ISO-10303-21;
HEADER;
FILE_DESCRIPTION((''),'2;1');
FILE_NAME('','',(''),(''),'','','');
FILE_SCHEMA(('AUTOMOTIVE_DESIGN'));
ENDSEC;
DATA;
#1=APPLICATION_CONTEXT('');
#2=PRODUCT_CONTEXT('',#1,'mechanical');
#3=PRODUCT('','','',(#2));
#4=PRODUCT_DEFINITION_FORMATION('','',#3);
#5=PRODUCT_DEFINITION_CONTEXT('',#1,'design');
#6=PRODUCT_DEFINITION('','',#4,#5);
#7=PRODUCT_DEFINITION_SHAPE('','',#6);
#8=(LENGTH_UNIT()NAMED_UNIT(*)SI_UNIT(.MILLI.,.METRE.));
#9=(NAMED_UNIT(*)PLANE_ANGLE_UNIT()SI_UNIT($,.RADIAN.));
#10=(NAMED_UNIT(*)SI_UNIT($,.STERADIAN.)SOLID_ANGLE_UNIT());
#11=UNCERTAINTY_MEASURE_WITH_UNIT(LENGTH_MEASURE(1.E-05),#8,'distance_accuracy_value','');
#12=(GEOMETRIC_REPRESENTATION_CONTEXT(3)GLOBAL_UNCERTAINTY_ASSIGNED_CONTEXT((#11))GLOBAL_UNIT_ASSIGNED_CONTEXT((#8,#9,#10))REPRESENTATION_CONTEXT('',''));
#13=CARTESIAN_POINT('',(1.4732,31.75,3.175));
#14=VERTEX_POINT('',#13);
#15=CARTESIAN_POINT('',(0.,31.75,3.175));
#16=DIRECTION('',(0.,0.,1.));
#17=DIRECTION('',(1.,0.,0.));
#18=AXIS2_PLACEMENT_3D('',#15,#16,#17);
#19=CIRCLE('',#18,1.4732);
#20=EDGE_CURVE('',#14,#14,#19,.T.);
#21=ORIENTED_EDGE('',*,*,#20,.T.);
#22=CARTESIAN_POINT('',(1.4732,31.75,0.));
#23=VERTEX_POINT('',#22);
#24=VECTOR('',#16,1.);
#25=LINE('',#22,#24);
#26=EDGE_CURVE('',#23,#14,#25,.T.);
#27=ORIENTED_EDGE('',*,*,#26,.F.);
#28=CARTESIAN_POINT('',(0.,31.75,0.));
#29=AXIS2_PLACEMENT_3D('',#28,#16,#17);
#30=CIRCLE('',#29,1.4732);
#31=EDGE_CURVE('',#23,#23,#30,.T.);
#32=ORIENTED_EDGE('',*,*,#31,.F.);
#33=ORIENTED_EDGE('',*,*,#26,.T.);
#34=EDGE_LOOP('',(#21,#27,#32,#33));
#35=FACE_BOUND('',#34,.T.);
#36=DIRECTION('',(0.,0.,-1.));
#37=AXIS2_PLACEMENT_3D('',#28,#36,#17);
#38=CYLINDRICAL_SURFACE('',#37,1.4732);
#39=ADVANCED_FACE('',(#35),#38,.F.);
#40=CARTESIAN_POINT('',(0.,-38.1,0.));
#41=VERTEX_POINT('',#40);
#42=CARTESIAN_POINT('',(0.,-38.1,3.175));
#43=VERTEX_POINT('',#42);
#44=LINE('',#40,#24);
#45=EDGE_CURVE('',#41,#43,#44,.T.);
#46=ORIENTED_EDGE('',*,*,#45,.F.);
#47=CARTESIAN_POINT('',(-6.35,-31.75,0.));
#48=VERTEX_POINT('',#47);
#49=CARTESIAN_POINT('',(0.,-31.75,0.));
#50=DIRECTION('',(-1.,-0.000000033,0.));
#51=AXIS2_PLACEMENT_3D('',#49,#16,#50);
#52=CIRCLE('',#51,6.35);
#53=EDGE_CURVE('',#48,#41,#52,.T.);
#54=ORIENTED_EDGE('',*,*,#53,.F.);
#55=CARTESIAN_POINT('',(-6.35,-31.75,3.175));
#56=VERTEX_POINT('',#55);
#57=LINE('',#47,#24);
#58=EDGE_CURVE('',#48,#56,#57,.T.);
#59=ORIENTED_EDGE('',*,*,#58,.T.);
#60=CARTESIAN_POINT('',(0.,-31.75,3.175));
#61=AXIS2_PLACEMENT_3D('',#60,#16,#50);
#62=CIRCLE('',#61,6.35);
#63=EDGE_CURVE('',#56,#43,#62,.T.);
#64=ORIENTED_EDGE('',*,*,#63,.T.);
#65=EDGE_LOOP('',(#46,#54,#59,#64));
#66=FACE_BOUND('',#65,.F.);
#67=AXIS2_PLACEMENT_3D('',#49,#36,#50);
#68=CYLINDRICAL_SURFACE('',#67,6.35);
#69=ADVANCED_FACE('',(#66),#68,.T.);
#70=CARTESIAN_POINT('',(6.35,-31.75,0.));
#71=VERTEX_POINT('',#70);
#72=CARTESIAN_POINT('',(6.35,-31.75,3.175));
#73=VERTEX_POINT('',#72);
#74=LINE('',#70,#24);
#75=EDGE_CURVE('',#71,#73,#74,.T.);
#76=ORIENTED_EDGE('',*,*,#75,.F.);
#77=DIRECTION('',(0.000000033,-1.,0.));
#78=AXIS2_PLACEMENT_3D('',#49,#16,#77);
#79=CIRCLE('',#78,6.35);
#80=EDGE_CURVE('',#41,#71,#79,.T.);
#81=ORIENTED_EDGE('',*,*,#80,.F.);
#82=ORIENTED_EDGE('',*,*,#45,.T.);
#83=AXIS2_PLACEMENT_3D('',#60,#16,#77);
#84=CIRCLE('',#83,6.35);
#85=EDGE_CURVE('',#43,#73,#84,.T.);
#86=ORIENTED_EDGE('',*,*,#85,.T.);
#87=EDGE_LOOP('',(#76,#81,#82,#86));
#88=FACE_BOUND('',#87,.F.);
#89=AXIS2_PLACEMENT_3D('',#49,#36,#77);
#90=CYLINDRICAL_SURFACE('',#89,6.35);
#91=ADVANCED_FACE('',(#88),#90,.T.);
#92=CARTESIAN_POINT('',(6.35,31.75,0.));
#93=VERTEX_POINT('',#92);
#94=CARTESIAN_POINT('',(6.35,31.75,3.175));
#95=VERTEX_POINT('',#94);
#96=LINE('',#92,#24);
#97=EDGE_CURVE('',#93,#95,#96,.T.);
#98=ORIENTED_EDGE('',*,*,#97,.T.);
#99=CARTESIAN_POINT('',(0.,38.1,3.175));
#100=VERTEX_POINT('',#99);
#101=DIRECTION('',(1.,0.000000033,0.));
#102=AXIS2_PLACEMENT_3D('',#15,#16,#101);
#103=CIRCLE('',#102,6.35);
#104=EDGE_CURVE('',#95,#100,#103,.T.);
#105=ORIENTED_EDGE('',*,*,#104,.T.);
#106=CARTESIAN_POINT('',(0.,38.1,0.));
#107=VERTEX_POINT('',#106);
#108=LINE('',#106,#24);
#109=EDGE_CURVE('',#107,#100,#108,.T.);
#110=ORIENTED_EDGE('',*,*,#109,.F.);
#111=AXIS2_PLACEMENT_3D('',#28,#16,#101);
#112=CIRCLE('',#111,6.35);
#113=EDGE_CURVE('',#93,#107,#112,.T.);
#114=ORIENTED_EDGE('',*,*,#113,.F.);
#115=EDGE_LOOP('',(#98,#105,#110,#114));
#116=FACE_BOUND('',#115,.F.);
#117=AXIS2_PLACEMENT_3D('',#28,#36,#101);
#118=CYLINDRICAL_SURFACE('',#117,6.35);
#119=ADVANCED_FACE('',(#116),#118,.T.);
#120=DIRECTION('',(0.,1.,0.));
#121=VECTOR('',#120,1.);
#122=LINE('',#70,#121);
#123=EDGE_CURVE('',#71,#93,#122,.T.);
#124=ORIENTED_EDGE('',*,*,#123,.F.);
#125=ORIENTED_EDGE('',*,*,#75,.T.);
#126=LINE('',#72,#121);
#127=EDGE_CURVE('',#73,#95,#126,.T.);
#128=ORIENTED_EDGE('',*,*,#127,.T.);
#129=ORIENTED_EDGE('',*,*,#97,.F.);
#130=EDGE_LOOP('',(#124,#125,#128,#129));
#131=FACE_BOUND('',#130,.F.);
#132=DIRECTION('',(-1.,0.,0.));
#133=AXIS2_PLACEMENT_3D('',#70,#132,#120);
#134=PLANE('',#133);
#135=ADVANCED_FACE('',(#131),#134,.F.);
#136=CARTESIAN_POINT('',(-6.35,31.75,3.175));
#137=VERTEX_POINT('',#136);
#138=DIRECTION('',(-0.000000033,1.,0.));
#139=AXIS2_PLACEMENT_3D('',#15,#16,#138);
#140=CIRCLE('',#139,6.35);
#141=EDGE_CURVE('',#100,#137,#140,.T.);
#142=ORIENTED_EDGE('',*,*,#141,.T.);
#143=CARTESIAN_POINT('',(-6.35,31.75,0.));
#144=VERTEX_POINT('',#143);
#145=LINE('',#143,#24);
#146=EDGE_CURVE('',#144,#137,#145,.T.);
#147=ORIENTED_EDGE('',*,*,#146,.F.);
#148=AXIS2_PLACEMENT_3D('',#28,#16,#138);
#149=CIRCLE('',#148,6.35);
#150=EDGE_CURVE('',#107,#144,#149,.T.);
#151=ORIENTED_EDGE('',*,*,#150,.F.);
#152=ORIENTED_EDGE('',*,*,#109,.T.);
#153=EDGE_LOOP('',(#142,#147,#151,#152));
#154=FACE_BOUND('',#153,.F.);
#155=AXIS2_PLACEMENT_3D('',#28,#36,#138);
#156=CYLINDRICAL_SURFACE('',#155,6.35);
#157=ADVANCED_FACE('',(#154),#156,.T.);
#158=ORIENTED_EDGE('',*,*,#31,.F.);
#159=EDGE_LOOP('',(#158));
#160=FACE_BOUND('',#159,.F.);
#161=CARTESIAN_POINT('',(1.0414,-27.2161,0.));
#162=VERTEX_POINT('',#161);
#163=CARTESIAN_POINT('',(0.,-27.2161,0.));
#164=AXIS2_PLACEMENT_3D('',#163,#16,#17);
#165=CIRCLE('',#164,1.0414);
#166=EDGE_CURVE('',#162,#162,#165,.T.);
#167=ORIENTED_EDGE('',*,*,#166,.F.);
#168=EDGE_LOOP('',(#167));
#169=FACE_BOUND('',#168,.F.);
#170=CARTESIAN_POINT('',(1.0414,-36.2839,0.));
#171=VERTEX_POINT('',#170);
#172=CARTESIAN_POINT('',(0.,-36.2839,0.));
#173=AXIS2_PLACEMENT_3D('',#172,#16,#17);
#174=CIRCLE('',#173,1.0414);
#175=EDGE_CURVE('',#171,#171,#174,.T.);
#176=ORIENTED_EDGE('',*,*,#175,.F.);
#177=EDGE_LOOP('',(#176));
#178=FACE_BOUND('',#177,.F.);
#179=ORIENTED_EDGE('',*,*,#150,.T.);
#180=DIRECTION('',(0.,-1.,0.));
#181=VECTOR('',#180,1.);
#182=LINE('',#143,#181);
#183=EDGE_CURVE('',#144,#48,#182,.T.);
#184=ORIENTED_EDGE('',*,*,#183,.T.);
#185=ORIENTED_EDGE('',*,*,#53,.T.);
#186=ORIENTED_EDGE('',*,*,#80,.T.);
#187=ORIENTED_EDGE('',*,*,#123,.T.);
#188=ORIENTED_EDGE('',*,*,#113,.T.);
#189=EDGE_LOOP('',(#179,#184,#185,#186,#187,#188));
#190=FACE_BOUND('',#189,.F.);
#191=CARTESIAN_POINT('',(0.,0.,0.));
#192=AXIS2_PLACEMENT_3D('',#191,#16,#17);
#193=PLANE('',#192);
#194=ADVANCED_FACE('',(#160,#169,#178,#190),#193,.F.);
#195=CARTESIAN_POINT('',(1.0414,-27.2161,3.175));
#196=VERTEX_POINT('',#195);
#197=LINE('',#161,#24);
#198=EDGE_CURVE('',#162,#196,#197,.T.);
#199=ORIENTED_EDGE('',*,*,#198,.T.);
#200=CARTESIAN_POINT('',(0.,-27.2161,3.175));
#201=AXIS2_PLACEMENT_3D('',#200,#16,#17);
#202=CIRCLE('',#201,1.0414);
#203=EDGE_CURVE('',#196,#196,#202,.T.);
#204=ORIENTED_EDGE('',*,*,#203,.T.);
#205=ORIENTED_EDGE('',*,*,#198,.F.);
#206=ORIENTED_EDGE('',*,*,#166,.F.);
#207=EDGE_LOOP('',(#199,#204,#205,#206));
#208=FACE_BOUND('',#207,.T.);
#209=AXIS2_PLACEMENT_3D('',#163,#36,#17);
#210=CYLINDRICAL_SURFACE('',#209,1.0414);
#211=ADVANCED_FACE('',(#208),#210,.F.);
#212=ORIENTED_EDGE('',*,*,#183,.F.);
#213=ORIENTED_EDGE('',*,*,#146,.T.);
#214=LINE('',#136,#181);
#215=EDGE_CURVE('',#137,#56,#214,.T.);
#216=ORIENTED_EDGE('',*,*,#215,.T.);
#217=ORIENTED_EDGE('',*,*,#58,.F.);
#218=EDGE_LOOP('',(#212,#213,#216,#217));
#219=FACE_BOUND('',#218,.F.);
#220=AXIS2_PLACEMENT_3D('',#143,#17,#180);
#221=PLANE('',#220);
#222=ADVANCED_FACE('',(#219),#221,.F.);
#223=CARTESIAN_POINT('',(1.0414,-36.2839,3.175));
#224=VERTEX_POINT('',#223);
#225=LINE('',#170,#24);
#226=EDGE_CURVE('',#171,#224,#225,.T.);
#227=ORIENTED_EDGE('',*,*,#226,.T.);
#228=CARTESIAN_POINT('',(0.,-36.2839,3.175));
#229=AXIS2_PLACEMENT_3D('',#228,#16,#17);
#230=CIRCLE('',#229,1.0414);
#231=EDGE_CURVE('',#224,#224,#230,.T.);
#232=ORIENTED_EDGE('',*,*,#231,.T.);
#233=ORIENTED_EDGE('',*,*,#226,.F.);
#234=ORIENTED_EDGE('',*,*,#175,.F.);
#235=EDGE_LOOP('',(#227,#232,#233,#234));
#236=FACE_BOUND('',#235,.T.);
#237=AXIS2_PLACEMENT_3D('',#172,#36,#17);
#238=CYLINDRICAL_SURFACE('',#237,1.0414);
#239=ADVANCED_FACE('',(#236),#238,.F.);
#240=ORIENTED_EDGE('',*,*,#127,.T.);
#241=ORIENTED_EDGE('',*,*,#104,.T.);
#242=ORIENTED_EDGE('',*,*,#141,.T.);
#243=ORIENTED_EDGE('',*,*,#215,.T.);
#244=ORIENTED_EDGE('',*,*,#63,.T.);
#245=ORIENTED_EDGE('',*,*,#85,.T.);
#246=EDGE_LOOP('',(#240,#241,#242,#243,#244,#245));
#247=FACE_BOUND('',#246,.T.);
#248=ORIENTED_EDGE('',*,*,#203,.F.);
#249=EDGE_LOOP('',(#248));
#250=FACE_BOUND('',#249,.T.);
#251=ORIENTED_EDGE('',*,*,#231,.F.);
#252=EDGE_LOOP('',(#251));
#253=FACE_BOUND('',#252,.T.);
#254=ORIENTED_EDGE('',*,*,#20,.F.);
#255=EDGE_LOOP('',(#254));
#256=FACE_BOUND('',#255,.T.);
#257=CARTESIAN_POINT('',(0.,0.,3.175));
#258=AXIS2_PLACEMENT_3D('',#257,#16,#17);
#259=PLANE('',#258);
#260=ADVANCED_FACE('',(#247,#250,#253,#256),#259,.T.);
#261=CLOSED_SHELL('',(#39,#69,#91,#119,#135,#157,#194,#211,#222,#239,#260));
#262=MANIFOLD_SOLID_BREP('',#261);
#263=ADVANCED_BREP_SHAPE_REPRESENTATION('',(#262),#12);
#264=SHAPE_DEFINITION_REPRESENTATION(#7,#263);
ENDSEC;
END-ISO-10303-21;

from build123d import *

# Parameters (mm, degrees)
F0_R     = 1.0414
F0_R_2   = 1.4732
F1_DEPTH = 3.175


with BuildPart() as f1:
    # F0 (on Top) → F1 (new body)
    with BuildSketch(Plane.XY):
        with BuildLine():
            Line((6.35, -31.75), (6.35, 31.75))
            ThreePointArc((6.35, 31.75), (4.490128, 36.240128), (0, 38.1))
            ThreePointArc((0, 38.1), (-4.490128, 36.240128), (-6.35, 31.75))
            Line((-6.35, 31.75), (-6.35, -31.75))
            ThreePointArc((-6.35, -31.75), (-4.490128, -36.240128), (0, -38.1))
            ThreePointArc((0, -38.1), (4.490128, -36.240128), (6.35, -31.75))
        make_face()
        with Locations((0, -36.2839)):
            Circle(F0_R, mode=Mode.SUBTRACT)
        with Locations((0, -27.2161)):
            Circle(F0_R, mode=Mode.SUBTRACT)
        with Locations((0, 31.75)):
            Circle(F0_R_2, mode=Mode.SUBTRACT)
    extrude(amount=F1_DEPTH)


solid = f1.part
